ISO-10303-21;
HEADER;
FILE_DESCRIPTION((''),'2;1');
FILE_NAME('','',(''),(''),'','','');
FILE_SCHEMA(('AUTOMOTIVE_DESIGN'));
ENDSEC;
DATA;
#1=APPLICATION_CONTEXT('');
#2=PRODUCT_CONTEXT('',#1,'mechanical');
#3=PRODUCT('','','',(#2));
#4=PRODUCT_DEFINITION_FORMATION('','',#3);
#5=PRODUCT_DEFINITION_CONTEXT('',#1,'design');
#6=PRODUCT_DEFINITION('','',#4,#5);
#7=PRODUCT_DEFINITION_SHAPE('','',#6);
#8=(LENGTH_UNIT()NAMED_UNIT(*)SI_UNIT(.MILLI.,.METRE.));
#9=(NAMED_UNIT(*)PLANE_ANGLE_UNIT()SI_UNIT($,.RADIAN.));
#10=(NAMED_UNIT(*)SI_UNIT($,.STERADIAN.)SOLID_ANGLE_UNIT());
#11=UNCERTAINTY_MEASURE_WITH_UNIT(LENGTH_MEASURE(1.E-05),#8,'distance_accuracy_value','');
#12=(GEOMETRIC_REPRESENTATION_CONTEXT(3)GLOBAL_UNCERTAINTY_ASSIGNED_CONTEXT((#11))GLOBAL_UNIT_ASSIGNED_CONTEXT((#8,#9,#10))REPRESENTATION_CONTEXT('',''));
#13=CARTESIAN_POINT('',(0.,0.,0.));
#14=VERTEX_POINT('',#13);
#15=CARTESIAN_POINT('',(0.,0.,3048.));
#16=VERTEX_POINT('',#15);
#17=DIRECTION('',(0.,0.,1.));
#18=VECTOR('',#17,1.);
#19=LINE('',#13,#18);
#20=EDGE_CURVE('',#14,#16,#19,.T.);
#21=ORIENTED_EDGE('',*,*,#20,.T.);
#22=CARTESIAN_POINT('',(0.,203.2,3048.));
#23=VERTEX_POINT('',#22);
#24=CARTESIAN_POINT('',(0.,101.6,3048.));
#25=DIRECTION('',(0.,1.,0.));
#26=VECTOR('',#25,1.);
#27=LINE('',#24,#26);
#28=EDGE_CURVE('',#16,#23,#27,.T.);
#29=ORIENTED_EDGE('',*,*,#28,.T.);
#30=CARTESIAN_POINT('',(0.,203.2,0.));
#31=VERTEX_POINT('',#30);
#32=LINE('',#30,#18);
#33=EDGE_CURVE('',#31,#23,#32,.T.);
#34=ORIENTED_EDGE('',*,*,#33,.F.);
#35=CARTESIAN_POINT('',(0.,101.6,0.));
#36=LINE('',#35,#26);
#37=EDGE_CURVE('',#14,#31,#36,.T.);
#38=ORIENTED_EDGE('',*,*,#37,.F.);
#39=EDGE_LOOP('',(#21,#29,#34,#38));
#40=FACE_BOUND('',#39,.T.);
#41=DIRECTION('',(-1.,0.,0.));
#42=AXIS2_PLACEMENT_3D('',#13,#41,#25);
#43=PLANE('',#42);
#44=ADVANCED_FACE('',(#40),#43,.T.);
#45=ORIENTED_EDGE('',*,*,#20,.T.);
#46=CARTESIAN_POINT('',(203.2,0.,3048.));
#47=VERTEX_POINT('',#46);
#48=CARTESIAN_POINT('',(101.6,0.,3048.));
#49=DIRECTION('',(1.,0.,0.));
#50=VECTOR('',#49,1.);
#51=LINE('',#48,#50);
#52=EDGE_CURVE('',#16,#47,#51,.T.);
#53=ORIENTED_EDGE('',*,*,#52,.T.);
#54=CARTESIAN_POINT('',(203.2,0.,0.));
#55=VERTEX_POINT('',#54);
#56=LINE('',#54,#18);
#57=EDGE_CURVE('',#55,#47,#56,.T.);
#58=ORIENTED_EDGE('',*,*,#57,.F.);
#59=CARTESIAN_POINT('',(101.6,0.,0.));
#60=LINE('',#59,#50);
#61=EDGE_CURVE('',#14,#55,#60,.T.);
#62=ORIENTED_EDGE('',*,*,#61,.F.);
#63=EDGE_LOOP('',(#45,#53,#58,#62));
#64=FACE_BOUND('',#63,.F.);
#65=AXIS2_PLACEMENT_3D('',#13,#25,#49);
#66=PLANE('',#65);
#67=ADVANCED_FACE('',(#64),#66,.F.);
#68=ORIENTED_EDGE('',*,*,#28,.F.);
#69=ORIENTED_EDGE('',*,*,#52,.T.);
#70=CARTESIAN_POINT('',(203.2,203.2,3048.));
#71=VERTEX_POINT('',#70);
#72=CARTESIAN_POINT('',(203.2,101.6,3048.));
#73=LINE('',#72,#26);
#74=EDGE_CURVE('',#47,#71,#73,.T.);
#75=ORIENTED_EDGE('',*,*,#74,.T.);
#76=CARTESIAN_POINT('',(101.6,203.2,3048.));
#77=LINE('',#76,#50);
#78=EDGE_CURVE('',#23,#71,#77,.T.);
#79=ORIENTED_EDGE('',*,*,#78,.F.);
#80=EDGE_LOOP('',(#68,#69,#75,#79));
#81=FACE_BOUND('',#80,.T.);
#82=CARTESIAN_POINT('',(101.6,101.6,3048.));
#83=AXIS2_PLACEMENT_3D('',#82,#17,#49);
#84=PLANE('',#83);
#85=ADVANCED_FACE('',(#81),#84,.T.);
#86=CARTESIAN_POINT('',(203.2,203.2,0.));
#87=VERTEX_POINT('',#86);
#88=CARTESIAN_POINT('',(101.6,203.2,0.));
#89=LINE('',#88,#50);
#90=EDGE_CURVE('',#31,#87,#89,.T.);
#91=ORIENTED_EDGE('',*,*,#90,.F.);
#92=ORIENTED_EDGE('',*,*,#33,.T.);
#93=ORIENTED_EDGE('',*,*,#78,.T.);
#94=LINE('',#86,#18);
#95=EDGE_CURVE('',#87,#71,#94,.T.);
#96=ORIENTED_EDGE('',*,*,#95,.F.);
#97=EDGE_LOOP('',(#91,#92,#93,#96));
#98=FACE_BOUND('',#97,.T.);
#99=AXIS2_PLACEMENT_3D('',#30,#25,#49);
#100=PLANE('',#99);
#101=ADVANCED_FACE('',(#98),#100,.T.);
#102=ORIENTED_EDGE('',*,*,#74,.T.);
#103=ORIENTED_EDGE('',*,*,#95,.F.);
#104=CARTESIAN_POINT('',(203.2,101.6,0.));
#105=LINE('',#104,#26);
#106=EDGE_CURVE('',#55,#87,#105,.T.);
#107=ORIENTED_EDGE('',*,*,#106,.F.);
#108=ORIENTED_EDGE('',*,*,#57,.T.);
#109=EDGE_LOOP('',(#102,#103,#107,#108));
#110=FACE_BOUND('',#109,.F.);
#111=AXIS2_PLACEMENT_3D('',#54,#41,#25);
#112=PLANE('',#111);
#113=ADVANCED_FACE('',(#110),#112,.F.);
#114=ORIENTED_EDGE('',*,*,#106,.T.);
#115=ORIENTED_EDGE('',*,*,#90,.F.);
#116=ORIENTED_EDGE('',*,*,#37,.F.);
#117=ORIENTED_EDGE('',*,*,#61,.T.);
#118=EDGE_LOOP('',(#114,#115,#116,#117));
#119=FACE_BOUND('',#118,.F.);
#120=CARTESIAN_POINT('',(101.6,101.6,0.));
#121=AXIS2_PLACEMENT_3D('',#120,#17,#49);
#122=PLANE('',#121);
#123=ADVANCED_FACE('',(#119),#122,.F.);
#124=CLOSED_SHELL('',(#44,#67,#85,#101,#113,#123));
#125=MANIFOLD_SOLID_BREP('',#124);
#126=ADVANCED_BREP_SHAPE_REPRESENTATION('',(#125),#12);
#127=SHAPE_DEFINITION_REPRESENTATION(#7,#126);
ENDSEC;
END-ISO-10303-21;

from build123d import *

# Parameters (mm, degrees)
SKETCH_W  = 203.2
SKETCH_H  = 203.2
PAD_DEPTH = 3048


with BuildPart() as part:
    # Sketch → Pad (new body)
    with BuildSketch(Plane.XY):
        with Locations((101.6, 101.6)):
            Rectangle(SKETCH_W, SKETCH_H)
    extrude(amount=PAD_DEPTH)


solid = part.part
